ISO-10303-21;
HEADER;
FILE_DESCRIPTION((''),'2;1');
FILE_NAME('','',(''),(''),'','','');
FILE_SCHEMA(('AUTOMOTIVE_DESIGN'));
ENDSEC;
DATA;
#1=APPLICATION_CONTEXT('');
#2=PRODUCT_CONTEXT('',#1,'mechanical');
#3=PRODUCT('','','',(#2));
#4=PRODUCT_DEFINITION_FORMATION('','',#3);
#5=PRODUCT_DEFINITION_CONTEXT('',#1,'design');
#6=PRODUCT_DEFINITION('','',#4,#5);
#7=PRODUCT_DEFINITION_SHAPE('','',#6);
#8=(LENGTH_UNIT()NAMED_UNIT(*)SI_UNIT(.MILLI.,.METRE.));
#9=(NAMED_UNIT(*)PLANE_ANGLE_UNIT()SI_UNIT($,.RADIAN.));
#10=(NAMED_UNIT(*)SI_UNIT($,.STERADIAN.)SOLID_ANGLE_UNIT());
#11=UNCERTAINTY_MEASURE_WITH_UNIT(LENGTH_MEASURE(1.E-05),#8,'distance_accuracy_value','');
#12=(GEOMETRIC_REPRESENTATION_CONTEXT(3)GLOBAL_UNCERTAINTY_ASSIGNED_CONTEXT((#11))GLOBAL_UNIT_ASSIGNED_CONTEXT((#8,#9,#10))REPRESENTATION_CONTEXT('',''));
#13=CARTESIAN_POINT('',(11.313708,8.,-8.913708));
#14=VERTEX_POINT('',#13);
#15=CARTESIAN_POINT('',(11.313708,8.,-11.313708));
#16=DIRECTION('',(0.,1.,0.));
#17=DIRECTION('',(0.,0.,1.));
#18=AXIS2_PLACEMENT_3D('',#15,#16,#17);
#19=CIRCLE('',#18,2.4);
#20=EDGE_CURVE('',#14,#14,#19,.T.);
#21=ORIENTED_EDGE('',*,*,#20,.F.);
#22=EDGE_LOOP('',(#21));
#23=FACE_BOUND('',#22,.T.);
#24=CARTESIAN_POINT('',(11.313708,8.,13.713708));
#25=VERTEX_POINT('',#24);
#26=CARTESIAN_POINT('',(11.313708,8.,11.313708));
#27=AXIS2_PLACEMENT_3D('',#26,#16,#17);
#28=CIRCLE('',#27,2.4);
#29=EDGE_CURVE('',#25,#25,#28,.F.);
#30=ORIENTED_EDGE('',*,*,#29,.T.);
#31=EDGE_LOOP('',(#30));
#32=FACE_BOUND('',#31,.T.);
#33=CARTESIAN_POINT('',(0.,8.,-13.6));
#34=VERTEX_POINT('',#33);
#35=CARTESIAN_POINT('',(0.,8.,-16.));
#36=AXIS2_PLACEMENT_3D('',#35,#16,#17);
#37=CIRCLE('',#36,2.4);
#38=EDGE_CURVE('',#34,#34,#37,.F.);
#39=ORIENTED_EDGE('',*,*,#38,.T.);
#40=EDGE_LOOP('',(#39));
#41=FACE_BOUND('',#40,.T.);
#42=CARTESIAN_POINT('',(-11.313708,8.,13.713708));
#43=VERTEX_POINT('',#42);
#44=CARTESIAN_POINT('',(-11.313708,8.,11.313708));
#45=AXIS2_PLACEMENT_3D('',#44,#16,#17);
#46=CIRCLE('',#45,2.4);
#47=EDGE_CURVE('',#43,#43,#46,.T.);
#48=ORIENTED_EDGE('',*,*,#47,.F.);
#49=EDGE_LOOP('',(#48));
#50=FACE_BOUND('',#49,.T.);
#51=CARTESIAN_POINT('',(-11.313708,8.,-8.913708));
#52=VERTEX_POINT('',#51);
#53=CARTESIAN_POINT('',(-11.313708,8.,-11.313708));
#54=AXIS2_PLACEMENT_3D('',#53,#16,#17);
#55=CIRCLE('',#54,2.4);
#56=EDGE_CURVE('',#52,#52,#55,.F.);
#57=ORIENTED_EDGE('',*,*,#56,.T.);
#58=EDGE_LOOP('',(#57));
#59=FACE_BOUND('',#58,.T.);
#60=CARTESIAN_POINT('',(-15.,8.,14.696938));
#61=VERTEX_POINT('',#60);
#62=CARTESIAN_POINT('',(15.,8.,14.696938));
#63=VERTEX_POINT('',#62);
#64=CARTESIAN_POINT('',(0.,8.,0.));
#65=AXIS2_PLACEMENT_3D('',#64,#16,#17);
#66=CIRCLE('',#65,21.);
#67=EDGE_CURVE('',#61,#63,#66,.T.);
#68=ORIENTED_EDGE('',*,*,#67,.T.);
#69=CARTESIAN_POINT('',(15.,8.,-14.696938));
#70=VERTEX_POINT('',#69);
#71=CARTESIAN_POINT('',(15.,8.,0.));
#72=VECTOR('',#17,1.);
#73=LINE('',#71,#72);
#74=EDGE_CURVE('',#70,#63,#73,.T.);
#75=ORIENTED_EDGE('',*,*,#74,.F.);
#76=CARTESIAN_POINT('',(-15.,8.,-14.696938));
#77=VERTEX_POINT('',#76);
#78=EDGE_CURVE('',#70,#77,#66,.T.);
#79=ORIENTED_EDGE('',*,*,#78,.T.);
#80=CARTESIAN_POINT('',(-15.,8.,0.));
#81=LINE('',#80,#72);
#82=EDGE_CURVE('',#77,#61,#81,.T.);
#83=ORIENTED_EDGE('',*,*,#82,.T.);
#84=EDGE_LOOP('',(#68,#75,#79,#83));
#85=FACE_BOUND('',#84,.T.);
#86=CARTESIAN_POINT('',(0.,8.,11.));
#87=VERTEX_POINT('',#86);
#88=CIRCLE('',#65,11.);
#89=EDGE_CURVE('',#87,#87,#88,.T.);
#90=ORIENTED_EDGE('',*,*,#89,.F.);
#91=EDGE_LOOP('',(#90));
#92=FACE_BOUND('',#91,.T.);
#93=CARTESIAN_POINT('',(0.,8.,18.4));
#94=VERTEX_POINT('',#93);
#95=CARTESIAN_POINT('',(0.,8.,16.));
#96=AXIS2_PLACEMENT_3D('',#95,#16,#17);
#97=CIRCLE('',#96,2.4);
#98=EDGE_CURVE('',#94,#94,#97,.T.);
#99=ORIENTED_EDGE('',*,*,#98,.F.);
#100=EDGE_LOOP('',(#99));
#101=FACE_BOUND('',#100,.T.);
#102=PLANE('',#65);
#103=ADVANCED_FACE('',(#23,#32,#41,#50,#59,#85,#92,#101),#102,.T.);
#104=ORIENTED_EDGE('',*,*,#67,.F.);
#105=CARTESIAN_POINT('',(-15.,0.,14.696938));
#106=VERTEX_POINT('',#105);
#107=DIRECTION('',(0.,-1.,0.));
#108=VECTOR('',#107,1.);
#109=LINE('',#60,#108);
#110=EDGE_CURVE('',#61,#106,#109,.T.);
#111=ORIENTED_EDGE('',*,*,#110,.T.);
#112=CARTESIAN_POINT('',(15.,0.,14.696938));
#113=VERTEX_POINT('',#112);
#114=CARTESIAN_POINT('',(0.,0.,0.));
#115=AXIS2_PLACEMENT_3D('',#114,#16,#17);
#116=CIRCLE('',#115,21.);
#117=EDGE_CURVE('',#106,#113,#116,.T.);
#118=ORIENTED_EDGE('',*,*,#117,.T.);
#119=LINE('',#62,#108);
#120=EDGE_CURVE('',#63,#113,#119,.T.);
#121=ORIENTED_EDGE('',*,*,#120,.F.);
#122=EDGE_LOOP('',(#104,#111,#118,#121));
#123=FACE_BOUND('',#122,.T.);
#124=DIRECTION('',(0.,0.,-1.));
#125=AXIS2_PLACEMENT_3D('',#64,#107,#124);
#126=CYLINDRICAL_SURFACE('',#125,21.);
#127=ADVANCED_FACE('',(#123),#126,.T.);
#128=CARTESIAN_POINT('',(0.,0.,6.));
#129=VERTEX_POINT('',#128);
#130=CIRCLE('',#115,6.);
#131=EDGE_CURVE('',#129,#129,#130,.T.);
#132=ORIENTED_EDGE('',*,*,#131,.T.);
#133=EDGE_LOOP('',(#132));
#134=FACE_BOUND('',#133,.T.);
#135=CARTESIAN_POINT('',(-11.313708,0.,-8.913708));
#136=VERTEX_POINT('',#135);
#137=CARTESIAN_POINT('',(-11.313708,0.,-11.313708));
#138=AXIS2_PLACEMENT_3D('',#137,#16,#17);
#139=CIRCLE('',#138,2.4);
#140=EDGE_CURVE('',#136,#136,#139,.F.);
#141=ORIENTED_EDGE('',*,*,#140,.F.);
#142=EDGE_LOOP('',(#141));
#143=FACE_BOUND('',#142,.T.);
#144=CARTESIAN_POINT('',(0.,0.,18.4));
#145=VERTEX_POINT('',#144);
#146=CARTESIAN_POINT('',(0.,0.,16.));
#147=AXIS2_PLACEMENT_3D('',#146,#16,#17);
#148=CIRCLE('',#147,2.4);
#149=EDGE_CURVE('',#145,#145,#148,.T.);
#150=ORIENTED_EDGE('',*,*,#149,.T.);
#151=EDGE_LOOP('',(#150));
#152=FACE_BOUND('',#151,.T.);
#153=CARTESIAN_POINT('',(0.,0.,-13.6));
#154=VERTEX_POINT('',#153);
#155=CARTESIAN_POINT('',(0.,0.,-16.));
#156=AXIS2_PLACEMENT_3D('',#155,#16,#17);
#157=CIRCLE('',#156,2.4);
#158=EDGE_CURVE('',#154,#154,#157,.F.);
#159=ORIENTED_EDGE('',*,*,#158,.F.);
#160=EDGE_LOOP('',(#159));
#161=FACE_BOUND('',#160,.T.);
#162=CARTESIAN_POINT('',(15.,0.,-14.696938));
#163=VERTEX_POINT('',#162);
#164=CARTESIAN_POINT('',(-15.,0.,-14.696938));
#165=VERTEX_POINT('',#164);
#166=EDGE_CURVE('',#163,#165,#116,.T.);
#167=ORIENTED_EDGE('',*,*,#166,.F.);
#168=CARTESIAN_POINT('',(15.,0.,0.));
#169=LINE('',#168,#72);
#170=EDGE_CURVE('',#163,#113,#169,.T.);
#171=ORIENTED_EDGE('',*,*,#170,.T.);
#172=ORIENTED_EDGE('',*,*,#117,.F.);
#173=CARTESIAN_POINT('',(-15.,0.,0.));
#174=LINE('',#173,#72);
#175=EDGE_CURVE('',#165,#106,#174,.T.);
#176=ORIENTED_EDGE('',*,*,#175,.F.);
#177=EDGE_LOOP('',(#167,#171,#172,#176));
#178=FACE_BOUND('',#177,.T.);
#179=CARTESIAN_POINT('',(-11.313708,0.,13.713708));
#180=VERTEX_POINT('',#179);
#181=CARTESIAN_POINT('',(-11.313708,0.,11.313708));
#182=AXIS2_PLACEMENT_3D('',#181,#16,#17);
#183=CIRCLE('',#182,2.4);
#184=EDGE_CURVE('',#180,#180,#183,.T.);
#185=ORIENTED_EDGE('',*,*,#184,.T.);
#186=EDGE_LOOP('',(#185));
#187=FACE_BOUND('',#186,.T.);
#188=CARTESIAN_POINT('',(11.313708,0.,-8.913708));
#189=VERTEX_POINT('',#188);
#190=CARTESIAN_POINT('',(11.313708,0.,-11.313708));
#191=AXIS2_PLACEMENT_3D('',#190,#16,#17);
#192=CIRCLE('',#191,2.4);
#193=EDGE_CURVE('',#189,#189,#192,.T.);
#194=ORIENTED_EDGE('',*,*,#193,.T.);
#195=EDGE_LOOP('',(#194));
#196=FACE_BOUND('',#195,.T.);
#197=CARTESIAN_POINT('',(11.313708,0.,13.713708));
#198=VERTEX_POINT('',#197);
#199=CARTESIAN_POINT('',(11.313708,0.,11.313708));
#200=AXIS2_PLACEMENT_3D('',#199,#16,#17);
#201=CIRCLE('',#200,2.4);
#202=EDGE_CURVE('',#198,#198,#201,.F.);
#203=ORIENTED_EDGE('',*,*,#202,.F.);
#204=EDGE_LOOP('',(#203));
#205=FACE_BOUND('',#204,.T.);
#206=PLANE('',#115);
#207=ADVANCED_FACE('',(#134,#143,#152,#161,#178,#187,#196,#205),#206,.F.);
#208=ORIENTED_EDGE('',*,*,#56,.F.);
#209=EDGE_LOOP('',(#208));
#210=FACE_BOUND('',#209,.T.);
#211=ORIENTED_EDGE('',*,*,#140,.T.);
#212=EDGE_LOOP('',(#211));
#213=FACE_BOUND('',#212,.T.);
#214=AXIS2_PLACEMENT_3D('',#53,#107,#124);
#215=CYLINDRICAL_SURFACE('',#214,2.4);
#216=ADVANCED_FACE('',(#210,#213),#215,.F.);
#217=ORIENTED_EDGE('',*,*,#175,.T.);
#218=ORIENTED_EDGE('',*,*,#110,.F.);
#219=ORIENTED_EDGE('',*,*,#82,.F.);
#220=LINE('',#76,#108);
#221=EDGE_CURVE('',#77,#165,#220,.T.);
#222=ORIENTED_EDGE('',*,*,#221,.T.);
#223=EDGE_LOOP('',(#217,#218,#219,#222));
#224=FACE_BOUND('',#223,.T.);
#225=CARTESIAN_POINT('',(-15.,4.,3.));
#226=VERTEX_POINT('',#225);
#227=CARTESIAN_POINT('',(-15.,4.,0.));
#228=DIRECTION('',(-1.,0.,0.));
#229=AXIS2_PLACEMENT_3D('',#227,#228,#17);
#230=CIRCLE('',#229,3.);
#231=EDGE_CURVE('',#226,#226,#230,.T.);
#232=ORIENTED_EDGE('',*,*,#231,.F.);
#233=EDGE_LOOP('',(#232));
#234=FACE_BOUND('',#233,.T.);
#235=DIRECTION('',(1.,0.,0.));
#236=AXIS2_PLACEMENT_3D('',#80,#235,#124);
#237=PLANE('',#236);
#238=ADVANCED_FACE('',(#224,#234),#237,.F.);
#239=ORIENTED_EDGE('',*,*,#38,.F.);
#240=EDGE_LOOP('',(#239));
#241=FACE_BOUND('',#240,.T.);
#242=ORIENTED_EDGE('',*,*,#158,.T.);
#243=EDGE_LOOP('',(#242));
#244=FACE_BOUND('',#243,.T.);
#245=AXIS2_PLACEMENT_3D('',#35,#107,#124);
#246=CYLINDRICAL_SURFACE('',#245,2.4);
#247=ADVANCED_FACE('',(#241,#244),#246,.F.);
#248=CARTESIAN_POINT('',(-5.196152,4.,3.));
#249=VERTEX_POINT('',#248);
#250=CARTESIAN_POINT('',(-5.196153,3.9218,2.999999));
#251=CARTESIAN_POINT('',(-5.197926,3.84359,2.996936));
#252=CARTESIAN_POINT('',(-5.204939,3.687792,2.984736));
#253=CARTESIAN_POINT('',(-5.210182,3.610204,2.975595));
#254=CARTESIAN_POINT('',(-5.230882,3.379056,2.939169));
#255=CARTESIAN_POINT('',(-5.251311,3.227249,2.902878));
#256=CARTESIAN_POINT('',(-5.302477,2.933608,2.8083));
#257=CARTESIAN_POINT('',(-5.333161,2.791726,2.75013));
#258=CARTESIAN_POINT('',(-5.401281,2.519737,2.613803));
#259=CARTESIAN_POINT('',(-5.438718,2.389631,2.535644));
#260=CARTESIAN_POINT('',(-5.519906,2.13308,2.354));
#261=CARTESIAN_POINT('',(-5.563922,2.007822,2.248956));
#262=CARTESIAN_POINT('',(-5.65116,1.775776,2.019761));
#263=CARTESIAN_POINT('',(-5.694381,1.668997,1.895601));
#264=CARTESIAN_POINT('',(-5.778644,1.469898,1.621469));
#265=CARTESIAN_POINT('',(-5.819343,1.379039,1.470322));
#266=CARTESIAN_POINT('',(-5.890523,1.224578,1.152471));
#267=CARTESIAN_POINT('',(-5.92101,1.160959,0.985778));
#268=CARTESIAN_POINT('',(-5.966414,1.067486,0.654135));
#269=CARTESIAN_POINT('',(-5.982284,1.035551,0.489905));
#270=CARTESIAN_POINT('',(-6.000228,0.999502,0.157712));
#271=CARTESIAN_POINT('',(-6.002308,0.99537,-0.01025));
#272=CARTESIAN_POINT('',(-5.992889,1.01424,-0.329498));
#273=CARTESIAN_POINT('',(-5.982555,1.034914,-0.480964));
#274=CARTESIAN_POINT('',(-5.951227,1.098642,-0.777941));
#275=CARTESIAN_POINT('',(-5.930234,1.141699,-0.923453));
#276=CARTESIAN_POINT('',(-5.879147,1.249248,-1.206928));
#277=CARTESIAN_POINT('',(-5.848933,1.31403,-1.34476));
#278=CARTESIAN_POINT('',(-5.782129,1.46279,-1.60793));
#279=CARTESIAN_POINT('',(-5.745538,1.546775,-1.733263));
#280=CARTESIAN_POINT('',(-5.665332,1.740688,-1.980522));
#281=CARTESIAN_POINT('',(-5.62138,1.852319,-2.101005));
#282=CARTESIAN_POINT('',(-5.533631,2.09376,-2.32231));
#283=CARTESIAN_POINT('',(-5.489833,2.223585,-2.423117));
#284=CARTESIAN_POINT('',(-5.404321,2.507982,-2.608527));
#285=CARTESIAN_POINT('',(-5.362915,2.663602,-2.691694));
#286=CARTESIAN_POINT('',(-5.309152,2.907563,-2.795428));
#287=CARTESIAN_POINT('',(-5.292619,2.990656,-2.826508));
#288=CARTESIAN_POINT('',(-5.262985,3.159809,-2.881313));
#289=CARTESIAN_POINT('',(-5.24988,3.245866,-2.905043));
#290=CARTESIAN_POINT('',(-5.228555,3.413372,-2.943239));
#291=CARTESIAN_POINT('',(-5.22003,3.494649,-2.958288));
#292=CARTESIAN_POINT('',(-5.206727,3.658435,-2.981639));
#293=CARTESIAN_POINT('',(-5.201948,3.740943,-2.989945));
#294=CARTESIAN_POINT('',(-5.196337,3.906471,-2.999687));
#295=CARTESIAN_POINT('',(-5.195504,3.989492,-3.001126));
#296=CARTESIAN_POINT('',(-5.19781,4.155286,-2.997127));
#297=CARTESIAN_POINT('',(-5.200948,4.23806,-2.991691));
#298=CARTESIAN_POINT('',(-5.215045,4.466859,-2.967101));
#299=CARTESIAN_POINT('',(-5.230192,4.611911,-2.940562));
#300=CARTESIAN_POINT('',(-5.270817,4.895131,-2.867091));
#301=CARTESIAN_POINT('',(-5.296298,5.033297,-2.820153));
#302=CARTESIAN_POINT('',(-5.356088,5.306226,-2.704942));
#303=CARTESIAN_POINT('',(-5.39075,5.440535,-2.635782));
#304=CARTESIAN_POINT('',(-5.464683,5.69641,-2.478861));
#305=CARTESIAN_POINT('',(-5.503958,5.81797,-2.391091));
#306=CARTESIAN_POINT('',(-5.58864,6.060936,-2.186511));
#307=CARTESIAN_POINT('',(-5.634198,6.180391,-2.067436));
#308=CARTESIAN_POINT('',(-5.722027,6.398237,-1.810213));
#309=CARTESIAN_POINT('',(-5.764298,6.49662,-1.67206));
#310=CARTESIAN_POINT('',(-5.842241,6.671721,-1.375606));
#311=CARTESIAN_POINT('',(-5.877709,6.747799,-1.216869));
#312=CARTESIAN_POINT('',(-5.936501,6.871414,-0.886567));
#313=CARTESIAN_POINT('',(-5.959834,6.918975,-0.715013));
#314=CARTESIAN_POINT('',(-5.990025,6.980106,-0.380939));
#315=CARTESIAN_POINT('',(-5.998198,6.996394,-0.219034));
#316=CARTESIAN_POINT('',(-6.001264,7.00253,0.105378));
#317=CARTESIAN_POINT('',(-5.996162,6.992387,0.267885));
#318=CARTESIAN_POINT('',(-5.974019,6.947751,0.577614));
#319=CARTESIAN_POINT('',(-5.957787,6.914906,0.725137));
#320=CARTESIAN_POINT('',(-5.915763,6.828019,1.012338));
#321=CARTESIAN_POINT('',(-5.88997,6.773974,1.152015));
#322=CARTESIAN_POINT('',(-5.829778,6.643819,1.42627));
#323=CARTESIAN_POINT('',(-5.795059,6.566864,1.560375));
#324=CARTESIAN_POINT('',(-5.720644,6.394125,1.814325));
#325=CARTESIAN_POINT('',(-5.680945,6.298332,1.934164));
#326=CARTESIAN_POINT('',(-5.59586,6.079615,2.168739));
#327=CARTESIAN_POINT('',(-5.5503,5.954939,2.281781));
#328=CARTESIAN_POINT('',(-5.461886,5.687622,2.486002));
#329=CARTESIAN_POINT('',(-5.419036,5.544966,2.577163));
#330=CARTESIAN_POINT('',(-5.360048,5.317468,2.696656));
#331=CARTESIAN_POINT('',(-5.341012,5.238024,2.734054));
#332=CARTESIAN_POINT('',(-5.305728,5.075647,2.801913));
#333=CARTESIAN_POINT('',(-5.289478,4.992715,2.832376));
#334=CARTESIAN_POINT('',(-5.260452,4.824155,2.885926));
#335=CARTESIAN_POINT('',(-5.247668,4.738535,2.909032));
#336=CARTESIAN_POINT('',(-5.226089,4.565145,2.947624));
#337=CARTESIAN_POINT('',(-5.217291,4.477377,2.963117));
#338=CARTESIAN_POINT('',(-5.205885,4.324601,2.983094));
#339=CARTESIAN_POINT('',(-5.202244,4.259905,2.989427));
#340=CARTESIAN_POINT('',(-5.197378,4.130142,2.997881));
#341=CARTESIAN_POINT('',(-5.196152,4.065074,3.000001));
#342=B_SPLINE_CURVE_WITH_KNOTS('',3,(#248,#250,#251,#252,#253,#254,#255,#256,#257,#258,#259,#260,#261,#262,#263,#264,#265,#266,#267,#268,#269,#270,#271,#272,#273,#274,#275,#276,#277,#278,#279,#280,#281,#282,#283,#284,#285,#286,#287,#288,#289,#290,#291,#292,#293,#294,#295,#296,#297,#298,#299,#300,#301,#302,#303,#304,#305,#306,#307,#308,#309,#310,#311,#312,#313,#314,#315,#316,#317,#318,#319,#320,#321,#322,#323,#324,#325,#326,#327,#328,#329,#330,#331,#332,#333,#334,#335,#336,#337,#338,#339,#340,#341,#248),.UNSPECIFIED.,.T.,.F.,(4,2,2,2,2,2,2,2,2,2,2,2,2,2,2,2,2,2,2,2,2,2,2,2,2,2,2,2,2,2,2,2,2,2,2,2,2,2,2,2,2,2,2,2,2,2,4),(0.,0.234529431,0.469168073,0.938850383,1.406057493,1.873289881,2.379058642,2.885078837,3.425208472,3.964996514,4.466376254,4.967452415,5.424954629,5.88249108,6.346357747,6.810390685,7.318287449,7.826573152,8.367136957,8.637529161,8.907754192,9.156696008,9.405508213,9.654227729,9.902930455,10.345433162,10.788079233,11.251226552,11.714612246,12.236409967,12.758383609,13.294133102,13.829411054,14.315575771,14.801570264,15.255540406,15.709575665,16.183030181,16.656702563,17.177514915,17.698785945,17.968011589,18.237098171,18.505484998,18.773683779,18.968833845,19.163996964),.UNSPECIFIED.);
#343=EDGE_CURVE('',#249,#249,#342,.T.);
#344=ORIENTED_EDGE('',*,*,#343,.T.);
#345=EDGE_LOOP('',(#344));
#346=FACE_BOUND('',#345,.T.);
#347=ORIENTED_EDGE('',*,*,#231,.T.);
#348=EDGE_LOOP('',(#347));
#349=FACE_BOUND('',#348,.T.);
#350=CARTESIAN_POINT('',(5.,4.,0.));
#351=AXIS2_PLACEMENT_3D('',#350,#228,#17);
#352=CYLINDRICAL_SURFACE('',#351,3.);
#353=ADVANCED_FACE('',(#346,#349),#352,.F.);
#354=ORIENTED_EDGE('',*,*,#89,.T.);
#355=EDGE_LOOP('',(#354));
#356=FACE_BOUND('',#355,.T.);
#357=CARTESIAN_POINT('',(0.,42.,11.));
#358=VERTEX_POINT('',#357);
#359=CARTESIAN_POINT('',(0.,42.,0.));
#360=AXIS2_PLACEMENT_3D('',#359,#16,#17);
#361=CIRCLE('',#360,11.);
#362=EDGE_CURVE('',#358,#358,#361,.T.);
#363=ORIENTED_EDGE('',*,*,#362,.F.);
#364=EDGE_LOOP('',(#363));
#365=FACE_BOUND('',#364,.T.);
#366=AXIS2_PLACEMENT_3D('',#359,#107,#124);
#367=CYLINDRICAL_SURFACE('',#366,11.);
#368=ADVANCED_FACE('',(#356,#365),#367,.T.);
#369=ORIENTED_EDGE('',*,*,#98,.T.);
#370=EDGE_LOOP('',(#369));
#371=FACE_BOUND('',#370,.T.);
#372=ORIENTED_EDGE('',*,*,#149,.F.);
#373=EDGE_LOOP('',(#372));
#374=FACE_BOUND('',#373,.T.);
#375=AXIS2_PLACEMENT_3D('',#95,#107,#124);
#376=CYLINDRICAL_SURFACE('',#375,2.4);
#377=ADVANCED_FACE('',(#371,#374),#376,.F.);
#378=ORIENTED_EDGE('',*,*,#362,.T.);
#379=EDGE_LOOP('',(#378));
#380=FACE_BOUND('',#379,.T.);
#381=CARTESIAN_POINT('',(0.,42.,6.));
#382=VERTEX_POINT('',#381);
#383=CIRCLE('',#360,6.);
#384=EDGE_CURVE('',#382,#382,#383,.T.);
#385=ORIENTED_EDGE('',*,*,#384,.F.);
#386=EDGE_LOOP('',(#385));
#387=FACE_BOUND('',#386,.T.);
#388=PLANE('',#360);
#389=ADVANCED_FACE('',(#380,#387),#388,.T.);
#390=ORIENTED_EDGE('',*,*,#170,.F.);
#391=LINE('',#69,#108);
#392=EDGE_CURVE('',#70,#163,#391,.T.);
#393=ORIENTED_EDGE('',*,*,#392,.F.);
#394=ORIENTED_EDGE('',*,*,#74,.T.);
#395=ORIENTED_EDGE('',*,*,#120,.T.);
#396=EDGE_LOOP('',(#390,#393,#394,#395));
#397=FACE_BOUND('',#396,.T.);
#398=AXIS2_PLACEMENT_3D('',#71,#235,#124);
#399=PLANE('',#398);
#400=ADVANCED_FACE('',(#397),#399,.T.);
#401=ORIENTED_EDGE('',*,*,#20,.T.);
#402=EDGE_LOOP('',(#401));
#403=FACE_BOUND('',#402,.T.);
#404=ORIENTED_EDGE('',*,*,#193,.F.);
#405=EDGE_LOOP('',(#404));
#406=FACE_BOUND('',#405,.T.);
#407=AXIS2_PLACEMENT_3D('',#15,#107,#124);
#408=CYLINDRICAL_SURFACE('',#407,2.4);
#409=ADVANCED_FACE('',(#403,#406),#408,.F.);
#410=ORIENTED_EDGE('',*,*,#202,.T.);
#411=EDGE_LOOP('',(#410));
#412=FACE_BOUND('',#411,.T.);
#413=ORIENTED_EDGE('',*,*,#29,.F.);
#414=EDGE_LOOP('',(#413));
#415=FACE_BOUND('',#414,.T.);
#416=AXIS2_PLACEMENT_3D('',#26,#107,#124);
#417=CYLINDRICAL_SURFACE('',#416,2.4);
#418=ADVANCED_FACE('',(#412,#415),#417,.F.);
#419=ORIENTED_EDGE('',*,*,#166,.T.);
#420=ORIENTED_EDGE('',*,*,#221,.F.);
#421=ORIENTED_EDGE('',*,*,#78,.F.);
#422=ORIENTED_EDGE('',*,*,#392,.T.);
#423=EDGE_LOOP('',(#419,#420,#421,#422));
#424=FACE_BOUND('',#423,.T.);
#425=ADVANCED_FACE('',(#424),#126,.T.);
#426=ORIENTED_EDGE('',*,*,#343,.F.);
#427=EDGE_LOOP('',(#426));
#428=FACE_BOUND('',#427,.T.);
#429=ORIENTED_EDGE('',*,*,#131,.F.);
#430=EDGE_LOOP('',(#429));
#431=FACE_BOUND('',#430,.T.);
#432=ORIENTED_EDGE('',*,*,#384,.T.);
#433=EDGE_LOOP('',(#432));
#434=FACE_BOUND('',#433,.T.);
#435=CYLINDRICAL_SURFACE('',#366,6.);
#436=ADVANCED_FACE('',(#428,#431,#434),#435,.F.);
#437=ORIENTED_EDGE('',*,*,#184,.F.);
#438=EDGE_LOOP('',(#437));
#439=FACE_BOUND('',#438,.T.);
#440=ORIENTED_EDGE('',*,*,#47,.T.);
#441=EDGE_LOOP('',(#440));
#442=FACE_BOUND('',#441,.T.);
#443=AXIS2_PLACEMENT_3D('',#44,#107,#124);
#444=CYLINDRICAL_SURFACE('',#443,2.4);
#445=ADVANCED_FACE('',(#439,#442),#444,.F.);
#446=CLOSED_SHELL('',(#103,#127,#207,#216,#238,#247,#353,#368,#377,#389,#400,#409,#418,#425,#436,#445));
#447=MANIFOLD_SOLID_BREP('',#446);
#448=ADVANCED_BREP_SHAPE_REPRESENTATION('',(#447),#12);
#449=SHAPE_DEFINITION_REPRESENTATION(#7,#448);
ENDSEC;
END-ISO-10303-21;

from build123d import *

# Parameters (mm, degrees)
SKETCH_1_R          = 2.4
SKETCH_1_R_2        = 11
EXTRUDE_1_DEPTH     = 8
SKETCH_1_3_R        = 11
SKETCH_1_3_R_2      = 6
EXTRUDE_2_DEPTH     = 42
SKETCH_2_R          = 3
CUT_EXTRUDE_1_DEPTH = 20


with BuildPart() as part:
    # 草图1 → 凸台-拉伸1 (new body)
    with BuildSketch(Plane(origin=(0, 0, 0), x_dir=(1, 0, 0), z_dir=(0, 1, 0))):
        with BuildLine():
            ThreePointArc((15, 14.696938457), (0, 21), (-15, 14.696938457))
            Line((-15, 14.696938457), (-15, -14.696938457))
            ThreePointArc((-15, -14.696938457), (0, -21), (15, -14.696938457))
            Line((15, -14.696938457), (15, 14.696938457))
        make_face()
        with Locations((-11.313708499, -11.313708499)):
            Circle(SKETCH_1_R, mode=Mode.SUBTRACT)
        with Locations((0, -16)):
            Circle(SKETCH_1_R, mode=Mode.SUBTRACT)
        with Locations((11.313708499, -11.313708499)):
            Circle(SKETCH_1_R, mode=Mode.SUBTRACT)
        with Locations((-11.313708499, 11.313708499)):
            Circle(SKETCH_1_R, mode=Mode.SUBTRACT)
        Circle(SKETCH_1_R_2, mode=Mode.SUBTRACT)
        with Locations((0, 16)):
            Circle(SKETCH_1_R, mode=Mode.SUBTRACT)
        with Locations((11.313708499, 11.313708499)):
            Circle(SKETCH_1_R, mode=Mode.SUBTRACT)
    extrude(amount=EXTRUDE_1_DEPTH)

    # 草图1<3> → 凸台-拉伸2 (add)
    with BuildSketch(Plane(origin=(0, 0, 0), x_dir=(1, 0, 0), z_dir=(0, 1, 0))):
        Circle(SKETCH_1_3_R)
        Circle(SKETCH_1_3_R_2, mode=Mode.SUBTRACT)
    extrude(amount=EXTRUDE_2_DEPTH)

    # 草图2 → 切除-拉伸1 (cut)
    with BuildSketch(Plane.ZY.offset(15)):
        with Locations((0, 4)):
            Circle(SKETCH_2_R)
    extrude(amount=-CUT_EXTRUDE_1_DEPTH, mode=Mode.SUBTRACT)


solid = part.part
